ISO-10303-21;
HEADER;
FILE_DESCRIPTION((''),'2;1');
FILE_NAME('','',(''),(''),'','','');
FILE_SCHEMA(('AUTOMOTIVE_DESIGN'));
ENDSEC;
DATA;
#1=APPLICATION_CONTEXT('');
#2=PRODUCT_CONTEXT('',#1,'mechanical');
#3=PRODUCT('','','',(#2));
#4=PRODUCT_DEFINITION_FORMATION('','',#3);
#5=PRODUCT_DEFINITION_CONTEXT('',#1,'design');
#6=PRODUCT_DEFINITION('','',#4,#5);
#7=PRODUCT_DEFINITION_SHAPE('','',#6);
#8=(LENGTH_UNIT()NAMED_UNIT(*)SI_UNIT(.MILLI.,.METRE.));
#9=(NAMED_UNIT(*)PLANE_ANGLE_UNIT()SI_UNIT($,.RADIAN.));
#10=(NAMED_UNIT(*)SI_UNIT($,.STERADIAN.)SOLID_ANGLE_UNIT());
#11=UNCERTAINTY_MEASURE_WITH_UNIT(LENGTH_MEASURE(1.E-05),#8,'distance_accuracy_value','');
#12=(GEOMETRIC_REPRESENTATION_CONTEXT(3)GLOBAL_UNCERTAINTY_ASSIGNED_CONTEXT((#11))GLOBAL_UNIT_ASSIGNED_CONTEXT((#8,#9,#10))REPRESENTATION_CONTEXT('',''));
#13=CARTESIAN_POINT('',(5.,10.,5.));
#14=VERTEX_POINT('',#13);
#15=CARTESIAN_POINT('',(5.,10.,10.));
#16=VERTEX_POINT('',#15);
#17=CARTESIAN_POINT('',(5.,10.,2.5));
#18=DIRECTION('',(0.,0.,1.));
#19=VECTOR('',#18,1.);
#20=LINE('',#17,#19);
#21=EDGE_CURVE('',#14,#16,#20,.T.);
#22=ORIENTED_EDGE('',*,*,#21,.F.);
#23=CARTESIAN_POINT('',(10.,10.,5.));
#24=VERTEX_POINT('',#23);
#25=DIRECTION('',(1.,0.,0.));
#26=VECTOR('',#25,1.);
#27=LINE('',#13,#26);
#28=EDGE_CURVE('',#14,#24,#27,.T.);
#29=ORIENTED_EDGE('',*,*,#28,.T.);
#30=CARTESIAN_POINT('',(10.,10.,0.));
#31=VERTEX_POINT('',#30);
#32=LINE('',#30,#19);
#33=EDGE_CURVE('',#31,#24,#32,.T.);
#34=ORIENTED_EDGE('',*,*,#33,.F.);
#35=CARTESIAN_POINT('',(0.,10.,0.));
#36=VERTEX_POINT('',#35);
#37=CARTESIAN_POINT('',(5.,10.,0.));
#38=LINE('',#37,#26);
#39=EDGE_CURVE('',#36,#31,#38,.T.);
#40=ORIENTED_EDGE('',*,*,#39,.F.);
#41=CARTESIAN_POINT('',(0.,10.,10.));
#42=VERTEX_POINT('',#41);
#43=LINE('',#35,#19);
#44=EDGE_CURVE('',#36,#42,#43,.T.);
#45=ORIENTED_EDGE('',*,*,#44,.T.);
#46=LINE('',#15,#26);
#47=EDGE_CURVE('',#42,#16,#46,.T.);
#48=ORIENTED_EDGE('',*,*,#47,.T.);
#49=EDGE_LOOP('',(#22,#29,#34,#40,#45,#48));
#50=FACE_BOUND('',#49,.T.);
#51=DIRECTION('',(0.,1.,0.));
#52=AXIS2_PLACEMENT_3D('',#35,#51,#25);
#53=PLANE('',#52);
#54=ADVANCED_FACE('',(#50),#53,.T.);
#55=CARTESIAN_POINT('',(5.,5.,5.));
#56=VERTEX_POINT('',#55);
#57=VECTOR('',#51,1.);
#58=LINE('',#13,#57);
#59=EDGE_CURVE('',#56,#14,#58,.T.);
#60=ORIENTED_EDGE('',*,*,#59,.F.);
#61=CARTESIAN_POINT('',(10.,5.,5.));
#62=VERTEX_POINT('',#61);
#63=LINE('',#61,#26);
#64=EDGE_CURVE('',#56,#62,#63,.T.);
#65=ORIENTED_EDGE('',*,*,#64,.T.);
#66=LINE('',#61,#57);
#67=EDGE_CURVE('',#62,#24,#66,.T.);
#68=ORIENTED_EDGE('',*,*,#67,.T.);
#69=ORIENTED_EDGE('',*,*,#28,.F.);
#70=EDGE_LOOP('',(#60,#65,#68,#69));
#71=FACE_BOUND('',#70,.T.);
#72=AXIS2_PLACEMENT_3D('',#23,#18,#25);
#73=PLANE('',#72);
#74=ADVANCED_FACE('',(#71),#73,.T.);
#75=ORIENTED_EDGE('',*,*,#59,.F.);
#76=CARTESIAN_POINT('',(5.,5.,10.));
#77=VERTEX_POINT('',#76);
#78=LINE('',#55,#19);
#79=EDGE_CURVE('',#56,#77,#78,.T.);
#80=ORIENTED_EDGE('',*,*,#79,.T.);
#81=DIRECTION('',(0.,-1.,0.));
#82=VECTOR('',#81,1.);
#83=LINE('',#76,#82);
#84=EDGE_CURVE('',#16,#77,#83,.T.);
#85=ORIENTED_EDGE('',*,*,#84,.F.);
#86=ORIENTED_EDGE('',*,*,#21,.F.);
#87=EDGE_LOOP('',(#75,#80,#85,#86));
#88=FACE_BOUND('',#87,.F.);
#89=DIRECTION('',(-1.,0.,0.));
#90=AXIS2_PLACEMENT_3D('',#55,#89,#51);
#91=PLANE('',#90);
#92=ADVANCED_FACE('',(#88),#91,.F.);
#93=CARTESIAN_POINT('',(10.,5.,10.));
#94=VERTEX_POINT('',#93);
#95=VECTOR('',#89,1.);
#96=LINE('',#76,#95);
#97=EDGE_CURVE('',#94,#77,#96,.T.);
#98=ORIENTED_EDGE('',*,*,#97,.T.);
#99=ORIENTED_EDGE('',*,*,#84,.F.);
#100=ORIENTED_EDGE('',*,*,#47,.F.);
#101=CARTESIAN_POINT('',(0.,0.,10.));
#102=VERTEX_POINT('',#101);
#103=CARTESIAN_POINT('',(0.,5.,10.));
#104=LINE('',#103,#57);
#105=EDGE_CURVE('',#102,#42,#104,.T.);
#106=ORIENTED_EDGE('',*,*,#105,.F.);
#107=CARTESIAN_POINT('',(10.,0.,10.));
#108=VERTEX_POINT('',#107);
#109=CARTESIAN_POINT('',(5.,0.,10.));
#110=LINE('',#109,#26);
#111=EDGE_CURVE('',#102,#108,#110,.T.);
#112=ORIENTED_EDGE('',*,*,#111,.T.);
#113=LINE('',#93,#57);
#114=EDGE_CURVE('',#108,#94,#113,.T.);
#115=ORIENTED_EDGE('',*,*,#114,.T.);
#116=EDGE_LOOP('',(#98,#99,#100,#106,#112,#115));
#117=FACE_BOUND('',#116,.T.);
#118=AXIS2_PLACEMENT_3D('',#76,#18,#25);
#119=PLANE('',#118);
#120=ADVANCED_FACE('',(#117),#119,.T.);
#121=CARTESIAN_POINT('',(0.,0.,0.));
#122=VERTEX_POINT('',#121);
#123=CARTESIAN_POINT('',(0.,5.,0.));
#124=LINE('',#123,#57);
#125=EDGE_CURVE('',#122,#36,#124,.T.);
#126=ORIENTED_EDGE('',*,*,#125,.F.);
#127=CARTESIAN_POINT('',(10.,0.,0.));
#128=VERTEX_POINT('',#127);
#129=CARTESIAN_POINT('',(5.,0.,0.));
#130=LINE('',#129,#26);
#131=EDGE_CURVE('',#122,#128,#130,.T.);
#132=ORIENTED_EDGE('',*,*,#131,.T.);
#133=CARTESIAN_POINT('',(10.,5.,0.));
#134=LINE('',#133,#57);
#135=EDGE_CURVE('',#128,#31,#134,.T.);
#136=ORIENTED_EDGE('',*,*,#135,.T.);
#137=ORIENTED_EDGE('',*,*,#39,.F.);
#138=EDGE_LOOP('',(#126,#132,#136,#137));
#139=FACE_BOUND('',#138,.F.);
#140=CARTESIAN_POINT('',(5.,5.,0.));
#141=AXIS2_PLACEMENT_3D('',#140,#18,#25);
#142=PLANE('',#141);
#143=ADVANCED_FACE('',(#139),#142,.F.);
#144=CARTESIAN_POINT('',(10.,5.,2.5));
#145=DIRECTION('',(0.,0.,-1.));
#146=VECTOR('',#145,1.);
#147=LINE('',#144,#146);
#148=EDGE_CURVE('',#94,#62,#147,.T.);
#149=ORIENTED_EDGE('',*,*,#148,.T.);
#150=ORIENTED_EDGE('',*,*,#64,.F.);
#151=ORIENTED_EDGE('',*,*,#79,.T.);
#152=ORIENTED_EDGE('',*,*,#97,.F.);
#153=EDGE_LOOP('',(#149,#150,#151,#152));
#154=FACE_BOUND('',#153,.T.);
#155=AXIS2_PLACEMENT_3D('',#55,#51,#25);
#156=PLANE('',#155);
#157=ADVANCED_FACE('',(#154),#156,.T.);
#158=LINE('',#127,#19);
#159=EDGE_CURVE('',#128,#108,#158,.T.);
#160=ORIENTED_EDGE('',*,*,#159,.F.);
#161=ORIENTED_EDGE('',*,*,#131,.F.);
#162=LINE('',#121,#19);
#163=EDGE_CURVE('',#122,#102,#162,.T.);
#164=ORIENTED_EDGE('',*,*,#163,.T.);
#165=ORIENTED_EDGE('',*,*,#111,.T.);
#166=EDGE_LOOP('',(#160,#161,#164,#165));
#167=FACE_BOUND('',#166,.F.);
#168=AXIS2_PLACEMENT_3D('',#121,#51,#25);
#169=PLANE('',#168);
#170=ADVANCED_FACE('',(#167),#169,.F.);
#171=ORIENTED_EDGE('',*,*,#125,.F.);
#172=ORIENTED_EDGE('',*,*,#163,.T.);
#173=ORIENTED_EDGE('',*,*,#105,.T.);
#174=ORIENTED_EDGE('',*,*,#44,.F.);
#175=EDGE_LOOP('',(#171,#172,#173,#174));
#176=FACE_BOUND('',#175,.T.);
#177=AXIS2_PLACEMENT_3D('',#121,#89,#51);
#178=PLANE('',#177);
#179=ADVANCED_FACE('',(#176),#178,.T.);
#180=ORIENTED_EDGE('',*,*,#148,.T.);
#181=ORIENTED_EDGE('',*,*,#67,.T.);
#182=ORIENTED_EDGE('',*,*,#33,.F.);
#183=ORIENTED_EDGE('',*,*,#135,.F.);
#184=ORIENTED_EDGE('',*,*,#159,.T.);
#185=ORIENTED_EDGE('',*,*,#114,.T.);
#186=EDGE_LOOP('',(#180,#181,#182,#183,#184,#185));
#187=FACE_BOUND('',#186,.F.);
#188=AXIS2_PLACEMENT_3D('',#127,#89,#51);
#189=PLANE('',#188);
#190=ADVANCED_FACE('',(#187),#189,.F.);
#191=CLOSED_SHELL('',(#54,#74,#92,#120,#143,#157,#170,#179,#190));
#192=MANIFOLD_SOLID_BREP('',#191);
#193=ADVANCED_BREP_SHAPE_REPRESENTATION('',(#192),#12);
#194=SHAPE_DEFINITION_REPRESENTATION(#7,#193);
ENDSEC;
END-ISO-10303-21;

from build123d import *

# Parameters (mm, degrees)
BOX001_W     = 10
BOX001_H     = 10
BOX001_DEPTH = 10
BOX_W        = 10
BOX_H        = 10
BOX_DEPTH    = 10


with BuildPart() as cubo_resta:
    # Box001 → Box001 (new body)
    with BuildSketch(Plane(origin=(5, 5, 5), x_dir=(1, 0, 0), z_dir=(0, 0, 1))):
        with Locations((5, 5)):
            Rectangle(BOX001_W, BOX001_H)
    extrude(amount=BOX001_DEPTH)


with BuildPart() as mi_pieza:
    # Box → Box (new body)
    with BuildSketch(Plane.XY):
        with Locations((5, 5)):
            Rectangle(BOX_W, BOX_H)
    extrude(amount=BOX_DEPTH)

    # Cut: cut Cubo_resta
    add(cubo_resta.part, mode=Mode.SUBTRACT)


solid = mi_pieza.part
